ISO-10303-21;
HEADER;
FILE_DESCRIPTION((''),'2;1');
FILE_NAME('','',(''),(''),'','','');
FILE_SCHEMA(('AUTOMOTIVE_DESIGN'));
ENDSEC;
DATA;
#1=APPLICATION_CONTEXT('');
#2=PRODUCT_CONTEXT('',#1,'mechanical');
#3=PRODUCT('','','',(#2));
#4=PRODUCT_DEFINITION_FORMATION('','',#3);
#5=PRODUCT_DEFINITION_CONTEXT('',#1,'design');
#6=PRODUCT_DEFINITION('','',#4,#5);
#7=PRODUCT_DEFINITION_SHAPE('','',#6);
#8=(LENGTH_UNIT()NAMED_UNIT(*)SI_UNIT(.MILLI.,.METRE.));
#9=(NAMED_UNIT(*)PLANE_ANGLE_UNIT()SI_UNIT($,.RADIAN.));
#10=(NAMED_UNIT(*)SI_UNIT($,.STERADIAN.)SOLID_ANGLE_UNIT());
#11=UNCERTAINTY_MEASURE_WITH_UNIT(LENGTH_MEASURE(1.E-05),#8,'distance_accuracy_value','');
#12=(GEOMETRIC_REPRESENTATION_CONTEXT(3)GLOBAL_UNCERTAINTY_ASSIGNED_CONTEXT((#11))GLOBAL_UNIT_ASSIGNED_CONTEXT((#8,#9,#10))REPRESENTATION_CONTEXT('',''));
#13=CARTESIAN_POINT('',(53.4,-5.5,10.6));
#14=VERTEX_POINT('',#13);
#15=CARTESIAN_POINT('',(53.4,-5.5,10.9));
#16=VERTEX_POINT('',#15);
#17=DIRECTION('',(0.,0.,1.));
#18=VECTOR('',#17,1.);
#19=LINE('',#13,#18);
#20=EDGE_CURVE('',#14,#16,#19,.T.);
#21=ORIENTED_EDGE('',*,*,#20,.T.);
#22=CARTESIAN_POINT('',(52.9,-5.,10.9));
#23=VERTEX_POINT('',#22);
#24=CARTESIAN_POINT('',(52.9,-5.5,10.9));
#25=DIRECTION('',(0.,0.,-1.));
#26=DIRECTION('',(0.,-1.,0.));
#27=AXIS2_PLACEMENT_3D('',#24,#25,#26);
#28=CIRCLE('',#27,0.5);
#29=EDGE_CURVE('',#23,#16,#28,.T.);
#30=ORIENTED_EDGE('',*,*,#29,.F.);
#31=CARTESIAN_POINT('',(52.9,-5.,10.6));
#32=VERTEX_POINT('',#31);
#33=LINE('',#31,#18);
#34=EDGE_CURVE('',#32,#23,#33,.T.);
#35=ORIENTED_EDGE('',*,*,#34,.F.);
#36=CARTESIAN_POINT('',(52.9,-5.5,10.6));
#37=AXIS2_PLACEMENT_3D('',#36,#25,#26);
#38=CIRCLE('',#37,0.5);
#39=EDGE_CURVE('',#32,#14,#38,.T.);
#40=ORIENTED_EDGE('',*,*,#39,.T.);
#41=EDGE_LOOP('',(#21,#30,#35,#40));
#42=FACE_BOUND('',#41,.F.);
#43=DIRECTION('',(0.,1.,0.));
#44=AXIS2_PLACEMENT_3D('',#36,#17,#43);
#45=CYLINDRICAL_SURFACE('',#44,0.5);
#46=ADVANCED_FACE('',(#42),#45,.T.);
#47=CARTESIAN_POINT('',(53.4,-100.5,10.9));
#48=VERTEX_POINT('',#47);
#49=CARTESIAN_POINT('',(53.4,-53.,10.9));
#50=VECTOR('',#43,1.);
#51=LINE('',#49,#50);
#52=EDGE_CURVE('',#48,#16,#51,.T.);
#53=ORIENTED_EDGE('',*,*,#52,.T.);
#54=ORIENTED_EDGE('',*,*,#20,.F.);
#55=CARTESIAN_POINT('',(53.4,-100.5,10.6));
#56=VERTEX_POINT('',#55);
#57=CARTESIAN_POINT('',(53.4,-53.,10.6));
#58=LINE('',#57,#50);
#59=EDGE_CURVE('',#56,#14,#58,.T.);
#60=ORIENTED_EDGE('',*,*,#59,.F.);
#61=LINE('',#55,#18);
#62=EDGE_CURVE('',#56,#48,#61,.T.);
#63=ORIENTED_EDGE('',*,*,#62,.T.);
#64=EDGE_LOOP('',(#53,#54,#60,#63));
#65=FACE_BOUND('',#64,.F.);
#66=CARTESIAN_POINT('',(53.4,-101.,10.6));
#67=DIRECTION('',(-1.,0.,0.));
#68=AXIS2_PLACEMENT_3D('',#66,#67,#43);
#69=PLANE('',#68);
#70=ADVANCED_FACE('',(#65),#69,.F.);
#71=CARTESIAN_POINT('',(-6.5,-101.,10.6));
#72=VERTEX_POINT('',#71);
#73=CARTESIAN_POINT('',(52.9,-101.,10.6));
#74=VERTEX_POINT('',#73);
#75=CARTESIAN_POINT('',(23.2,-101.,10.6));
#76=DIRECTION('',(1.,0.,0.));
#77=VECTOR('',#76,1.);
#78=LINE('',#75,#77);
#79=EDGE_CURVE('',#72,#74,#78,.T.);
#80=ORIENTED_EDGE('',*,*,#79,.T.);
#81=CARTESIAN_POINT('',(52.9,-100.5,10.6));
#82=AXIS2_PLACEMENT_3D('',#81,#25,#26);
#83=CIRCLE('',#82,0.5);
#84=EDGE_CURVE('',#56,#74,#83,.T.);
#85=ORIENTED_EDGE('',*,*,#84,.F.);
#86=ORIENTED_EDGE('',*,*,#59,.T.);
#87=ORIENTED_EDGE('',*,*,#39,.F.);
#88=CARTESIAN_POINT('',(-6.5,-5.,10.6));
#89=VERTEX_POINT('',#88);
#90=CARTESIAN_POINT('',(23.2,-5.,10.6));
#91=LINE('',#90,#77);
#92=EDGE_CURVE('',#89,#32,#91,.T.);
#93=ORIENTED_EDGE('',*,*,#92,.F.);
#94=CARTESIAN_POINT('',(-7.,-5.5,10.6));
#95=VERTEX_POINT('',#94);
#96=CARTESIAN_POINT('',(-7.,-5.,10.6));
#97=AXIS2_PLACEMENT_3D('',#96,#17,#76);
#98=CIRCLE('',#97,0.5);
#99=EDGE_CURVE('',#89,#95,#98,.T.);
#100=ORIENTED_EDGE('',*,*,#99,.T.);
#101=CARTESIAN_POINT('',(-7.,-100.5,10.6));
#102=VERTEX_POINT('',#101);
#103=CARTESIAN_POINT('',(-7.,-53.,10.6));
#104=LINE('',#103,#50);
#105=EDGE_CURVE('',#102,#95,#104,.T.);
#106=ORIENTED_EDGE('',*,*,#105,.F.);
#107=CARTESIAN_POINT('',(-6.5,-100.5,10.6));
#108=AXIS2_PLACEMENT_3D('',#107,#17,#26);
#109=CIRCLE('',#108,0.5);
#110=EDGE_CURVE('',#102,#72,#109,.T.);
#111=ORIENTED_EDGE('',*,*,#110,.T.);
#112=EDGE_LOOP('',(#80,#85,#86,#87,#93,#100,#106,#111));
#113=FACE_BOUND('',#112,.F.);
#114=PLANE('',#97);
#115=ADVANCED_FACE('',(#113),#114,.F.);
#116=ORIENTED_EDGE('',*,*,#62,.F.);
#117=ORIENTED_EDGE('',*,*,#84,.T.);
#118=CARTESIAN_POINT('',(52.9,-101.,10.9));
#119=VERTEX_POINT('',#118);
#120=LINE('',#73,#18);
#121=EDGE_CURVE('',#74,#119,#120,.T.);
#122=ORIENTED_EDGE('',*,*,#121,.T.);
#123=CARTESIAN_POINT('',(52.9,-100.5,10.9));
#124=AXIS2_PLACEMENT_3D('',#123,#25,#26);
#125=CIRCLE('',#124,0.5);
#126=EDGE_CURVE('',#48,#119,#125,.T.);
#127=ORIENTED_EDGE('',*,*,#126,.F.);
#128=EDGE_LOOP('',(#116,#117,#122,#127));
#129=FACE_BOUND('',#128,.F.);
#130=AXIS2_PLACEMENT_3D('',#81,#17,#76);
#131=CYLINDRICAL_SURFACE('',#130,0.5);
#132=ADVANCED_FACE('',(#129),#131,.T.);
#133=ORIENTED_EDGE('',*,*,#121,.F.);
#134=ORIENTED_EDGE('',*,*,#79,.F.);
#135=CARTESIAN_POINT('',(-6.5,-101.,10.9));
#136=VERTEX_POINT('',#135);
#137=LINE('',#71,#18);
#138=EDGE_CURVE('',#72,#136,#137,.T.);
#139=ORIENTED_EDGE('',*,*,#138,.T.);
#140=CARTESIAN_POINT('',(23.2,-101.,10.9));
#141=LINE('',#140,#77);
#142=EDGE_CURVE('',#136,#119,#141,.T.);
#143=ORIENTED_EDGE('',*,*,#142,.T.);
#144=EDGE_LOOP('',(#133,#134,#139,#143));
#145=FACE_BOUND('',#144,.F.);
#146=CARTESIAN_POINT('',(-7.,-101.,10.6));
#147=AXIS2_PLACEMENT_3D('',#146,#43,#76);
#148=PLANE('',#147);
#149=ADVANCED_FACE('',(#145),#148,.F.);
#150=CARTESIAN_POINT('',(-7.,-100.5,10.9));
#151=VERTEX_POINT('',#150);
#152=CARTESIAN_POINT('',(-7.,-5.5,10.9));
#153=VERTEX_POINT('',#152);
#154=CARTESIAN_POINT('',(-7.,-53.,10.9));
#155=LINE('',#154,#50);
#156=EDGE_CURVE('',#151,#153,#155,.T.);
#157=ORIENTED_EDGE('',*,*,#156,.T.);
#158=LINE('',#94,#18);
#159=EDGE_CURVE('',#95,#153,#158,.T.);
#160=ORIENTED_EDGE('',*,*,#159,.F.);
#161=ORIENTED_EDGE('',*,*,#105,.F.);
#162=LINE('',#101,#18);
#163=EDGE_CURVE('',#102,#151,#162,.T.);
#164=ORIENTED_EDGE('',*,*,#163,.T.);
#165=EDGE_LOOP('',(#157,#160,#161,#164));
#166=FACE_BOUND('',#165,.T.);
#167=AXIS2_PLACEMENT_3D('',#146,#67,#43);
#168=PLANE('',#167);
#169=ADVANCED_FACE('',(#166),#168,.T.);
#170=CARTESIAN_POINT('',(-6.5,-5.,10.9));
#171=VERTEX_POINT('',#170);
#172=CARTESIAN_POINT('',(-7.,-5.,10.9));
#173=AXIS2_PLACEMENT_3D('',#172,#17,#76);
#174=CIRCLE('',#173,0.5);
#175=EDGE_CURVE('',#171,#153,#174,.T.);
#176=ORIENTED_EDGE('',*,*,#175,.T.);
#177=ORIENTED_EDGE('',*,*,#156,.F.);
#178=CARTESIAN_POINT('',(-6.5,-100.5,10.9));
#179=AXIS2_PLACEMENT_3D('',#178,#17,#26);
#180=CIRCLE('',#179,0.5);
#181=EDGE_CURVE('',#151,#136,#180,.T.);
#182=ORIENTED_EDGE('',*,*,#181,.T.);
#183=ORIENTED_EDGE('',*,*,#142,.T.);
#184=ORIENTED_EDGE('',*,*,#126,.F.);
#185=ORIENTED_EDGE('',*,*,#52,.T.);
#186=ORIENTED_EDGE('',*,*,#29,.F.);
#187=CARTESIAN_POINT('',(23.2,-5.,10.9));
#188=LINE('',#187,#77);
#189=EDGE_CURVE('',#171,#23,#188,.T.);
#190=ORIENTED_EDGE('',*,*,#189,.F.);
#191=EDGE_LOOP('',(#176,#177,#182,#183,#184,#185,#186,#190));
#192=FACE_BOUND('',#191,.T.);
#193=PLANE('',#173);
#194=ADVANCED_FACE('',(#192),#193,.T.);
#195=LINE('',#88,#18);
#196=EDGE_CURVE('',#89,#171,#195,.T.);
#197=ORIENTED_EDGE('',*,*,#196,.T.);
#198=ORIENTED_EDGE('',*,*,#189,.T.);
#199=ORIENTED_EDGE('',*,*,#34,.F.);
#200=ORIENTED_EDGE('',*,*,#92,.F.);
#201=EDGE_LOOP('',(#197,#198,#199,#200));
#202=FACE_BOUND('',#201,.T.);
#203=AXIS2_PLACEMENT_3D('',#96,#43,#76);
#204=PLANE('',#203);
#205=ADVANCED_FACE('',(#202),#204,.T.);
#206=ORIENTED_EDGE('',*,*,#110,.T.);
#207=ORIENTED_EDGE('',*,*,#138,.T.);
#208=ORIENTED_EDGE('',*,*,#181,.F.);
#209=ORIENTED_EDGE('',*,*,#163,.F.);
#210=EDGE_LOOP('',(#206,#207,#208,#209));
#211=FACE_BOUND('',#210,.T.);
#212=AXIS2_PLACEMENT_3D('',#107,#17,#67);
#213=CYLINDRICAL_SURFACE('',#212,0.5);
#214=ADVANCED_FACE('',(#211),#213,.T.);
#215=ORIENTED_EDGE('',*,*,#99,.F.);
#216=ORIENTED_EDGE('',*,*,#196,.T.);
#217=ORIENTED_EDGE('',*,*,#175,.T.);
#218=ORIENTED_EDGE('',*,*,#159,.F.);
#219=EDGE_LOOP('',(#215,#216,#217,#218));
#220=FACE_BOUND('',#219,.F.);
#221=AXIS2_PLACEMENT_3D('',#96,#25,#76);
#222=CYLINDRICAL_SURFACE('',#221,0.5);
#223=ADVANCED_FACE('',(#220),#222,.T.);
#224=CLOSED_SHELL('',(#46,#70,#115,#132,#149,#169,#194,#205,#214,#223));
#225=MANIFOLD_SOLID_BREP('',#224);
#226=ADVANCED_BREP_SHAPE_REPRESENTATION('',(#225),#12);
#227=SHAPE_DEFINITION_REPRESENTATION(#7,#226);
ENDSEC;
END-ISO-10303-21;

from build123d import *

# Parameters (mm, degrees)
CYLINDER_R     = 0.5
CYLINDER_DEPTH = 0.3
BOX003_W       = 60.4
BOX003_H       = 96
BOX003_DEPTH   = 0.3
FILLET001_R    = 0.5
FILLET002_R    = 0.5
FILLET003_R    = 0.5
FILLET004_R    = 0.5


with BuildPart() as cylinder:
    # Cylinder → Cylinder (new body)
    with BuildSketch(Plane(origin=(-7, -5, 10.6), x_dir=(1, 0, 0), z_dir=(0, 0, 1))):
        Circle(CYLINDER_R)
    extrude(amount=CYLINDER_DEPTH)


with BuildPart() as fusion:
    # Box003 → Box003 (new body)
    with BuildSketch(Plane(origin=(-7, -101, 10.6), x_dir=(1, 0, 0), z_dir=(0, 0, 1))):
        with Locations((30.2, 48)):
            Rectangle(BOX003_W, BOX003_H)
    extrude(amount=BOX003_DEPTH)

    # Fillet001
    fillet001_edges = [fusion.edges().sort_by_distance(p)[0] for p in [
        (-7, -101, 10.75),
    ]]
    fillet(fillet001_edges, radius=FILLET001_R)

    # Fillet002
    fillet002_edges = [fusion.edges().sort_by_distance(p)[0] for p in [
        (53.4, -5, 10.75),
    ]]
    fillet(fillet002_edges, radius=FILLET002_R)

    # Fillet003
    fillet003_edges = [fusion.edges().sort_by_distance(p)[0] for p in [
        (53.4, -101, 10.75),
    ]]
    fillet(fillet003_edges, radius=FILLET003_R)

    # Fillet004
    fillet004_edges = [fusion.edges().sort_by_distance(p)[0] for p in [
        (-7, -5, 10.75),
    ]]
    fillet(fillet004_edges, radius=FILLET004_R)

    # Fusion: union Cylinder
    add(cylinder.part)


solid = fusion.part
